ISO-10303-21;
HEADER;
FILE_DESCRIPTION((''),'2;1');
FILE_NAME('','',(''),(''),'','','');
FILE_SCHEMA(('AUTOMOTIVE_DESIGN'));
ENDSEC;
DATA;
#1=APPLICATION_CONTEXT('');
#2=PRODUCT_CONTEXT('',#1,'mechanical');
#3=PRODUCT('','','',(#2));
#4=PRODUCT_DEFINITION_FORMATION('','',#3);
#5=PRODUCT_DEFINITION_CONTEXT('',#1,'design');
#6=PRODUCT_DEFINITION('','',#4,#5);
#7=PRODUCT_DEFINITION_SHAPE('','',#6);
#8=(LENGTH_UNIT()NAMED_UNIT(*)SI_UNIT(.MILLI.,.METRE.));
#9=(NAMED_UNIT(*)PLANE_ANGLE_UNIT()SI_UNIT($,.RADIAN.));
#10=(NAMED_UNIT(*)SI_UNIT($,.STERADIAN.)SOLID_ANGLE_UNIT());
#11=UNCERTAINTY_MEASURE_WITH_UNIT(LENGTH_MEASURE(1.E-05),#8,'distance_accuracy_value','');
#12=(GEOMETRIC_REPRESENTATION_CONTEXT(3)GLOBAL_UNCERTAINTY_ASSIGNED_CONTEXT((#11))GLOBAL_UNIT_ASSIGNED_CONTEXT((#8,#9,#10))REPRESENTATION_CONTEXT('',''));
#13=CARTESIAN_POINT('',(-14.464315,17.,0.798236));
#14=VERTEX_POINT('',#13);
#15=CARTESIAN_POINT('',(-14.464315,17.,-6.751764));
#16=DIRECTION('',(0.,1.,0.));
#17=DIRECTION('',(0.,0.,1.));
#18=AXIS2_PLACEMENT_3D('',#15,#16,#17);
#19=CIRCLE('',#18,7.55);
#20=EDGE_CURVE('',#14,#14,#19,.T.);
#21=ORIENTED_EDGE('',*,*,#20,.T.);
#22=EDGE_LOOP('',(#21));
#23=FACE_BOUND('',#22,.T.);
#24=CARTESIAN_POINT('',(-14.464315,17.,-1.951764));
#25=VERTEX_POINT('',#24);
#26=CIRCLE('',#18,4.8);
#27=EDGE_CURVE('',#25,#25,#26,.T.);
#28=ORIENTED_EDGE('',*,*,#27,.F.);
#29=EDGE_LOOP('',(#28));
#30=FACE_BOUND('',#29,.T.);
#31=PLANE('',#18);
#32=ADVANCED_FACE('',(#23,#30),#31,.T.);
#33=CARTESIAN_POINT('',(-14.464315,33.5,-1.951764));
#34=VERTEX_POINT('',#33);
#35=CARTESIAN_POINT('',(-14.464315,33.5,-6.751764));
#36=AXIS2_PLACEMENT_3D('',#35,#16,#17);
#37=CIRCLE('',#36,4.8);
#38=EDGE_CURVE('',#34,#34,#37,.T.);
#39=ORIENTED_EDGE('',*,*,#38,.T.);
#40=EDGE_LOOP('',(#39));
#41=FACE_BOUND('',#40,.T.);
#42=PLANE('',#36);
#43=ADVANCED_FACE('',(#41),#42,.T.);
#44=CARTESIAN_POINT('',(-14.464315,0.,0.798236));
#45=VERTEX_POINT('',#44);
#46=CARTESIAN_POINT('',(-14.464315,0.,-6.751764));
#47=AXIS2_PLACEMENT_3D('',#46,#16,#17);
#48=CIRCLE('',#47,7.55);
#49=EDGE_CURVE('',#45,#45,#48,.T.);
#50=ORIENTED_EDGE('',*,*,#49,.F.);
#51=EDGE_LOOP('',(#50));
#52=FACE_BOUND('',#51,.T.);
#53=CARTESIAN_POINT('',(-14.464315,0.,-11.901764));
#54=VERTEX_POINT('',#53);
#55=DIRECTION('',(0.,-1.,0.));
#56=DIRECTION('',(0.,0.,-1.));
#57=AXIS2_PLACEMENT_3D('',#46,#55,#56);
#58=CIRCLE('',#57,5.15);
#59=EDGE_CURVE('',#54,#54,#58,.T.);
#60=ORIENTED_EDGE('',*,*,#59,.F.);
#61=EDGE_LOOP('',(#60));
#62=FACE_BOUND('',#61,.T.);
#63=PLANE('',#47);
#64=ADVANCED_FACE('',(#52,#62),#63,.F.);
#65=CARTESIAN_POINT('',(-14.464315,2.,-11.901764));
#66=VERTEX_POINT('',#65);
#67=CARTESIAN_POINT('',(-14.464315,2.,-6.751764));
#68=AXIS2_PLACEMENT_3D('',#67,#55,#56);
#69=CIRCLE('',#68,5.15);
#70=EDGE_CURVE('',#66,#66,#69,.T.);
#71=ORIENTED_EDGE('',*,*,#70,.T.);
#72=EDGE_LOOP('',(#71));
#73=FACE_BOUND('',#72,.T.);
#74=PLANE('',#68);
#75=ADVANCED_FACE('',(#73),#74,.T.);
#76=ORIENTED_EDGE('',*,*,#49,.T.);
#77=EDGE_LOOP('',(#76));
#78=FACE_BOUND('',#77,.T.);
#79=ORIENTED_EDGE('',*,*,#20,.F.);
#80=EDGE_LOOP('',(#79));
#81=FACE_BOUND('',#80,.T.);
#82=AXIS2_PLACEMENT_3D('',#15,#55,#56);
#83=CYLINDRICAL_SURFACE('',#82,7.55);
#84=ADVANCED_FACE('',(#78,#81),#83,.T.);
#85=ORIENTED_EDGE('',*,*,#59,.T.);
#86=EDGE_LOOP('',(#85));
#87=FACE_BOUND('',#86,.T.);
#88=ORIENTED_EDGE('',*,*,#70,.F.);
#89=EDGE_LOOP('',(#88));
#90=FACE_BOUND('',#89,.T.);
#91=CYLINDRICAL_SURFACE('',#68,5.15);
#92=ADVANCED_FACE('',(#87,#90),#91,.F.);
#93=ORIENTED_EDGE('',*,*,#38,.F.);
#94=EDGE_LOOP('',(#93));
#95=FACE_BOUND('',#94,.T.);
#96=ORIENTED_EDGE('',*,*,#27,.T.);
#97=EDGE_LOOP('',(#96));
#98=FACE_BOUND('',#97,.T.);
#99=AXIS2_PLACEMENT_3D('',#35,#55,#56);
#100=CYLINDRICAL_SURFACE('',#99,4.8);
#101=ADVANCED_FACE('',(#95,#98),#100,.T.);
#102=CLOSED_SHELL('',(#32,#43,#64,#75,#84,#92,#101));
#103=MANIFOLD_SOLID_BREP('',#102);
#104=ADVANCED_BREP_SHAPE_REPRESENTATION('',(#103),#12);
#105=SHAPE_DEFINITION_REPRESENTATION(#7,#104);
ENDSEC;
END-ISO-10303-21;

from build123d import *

# Parameters (mm, degrees)
SKETCH_1_R          = 7.55
EXTRUDE_1_DEPTH     = 17
SKETCH_2_R          = 5.15
CUT_EXTRUDE_1_DEPTH = 2
SKETCH_3_R          = 4.8
EXTRUDE_2_DEPTH     = 16.5


with BuildPart() as part:
    # 草图1 → 凸台-拉伸1 (new body)
    with BuildSketch(Plane(origin=(0, 0, 0), x_dir=(1, 0, 0), z_dir=(0, 1, 0))):
        with Locations(Location((-14.464315339, 6.751763544, 0), (0, 0, 270))):
            Circle(SKETCH_1_R)
    extrude(amount=EXTRUDE_1_DEPTH)

    # 草图2 → 切除-拉伸1 (cut)
    with BuildSketch(Plane.XZ):
        with Locations(Location((-14.464315339, -6.751763544, 0), (0, 0, 270))):
            Circle(SKETCH_2_R)
    extrude(amount=-CUT_EXTRUDE_1_DEPTH, mode=Mode.SUBTRACT)

    # 草图3 → 凸台-拉伸2 (add)
    with BuildSketch(Plane(origin=(0, 17, 0), x_dir=(1, 0, 0), z_dir=(0, 1, 0))):
        with Locations(Location((-14.464315339, 6.751763544, 0), (0, 0, 270))):
            Circle(SKETCH_3_R)
    extrude(amount=EXTRUDE_2_DEPTH)


solid = part.part
